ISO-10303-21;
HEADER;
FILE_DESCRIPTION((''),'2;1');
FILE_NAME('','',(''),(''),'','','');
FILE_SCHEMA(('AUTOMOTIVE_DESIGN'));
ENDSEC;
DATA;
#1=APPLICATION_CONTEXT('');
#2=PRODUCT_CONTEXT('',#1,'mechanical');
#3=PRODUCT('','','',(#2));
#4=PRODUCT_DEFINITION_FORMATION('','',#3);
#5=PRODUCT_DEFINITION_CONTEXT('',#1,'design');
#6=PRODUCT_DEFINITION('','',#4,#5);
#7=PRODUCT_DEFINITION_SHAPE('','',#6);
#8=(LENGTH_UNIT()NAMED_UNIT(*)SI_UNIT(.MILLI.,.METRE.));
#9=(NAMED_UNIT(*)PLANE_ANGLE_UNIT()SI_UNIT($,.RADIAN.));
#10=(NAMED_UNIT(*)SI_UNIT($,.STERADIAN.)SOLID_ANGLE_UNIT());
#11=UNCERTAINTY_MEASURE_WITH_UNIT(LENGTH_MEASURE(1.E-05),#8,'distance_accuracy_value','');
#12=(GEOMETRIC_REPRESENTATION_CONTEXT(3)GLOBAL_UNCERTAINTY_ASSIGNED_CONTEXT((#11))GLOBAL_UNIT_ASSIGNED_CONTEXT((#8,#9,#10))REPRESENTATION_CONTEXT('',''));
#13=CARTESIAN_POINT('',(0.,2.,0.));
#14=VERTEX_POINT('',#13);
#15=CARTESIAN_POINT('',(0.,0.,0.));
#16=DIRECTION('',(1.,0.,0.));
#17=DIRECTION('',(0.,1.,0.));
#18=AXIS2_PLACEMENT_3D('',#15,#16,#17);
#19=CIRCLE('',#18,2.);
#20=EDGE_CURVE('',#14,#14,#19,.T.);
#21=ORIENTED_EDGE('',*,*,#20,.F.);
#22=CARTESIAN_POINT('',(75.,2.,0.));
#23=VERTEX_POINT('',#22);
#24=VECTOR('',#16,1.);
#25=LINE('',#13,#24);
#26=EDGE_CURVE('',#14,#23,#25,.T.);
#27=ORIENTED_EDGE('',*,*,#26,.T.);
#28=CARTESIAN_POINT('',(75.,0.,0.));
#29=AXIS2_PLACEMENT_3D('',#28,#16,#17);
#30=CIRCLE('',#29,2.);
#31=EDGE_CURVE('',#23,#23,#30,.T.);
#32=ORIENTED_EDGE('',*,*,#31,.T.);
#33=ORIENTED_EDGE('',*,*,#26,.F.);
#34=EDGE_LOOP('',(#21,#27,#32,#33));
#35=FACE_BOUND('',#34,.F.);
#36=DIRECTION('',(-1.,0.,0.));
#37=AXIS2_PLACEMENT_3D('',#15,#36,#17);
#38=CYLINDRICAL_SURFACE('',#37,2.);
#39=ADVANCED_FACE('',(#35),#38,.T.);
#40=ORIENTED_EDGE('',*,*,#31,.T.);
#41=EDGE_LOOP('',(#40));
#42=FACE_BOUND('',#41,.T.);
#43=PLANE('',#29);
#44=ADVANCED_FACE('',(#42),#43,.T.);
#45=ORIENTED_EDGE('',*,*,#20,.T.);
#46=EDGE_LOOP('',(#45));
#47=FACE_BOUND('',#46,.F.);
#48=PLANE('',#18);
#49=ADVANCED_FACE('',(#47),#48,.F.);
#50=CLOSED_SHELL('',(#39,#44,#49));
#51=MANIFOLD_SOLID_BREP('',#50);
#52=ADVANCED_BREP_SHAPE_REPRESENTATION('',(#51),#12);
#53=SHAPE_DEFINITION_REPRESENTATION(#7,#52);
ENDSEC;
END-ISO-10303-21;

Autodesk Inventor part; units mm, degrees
ref_plane "YZ Plane" through (0, 0, 0) normal (1, 0, 0) x (0, 1, 0)
ref_plane "XZ Plane" through (0, 0, 0) normal (0, 1, 0) x (-1, 0, 0)
ref_plane "XY Plane" through (0, 0, 0) normal (0, 0, 1) x (1, 0, 0)
sketch "Эскиз1" plane through (0, 0, 0) normal (1, 0, 0) x (0, 1, 0)
  circle A0 centre (0, 0) radius 2
  dimension "d0" = 4
extrude "Выдавливание1" add sketch "Эскиз1" along normal blind 75
properties part number "sting_75"
